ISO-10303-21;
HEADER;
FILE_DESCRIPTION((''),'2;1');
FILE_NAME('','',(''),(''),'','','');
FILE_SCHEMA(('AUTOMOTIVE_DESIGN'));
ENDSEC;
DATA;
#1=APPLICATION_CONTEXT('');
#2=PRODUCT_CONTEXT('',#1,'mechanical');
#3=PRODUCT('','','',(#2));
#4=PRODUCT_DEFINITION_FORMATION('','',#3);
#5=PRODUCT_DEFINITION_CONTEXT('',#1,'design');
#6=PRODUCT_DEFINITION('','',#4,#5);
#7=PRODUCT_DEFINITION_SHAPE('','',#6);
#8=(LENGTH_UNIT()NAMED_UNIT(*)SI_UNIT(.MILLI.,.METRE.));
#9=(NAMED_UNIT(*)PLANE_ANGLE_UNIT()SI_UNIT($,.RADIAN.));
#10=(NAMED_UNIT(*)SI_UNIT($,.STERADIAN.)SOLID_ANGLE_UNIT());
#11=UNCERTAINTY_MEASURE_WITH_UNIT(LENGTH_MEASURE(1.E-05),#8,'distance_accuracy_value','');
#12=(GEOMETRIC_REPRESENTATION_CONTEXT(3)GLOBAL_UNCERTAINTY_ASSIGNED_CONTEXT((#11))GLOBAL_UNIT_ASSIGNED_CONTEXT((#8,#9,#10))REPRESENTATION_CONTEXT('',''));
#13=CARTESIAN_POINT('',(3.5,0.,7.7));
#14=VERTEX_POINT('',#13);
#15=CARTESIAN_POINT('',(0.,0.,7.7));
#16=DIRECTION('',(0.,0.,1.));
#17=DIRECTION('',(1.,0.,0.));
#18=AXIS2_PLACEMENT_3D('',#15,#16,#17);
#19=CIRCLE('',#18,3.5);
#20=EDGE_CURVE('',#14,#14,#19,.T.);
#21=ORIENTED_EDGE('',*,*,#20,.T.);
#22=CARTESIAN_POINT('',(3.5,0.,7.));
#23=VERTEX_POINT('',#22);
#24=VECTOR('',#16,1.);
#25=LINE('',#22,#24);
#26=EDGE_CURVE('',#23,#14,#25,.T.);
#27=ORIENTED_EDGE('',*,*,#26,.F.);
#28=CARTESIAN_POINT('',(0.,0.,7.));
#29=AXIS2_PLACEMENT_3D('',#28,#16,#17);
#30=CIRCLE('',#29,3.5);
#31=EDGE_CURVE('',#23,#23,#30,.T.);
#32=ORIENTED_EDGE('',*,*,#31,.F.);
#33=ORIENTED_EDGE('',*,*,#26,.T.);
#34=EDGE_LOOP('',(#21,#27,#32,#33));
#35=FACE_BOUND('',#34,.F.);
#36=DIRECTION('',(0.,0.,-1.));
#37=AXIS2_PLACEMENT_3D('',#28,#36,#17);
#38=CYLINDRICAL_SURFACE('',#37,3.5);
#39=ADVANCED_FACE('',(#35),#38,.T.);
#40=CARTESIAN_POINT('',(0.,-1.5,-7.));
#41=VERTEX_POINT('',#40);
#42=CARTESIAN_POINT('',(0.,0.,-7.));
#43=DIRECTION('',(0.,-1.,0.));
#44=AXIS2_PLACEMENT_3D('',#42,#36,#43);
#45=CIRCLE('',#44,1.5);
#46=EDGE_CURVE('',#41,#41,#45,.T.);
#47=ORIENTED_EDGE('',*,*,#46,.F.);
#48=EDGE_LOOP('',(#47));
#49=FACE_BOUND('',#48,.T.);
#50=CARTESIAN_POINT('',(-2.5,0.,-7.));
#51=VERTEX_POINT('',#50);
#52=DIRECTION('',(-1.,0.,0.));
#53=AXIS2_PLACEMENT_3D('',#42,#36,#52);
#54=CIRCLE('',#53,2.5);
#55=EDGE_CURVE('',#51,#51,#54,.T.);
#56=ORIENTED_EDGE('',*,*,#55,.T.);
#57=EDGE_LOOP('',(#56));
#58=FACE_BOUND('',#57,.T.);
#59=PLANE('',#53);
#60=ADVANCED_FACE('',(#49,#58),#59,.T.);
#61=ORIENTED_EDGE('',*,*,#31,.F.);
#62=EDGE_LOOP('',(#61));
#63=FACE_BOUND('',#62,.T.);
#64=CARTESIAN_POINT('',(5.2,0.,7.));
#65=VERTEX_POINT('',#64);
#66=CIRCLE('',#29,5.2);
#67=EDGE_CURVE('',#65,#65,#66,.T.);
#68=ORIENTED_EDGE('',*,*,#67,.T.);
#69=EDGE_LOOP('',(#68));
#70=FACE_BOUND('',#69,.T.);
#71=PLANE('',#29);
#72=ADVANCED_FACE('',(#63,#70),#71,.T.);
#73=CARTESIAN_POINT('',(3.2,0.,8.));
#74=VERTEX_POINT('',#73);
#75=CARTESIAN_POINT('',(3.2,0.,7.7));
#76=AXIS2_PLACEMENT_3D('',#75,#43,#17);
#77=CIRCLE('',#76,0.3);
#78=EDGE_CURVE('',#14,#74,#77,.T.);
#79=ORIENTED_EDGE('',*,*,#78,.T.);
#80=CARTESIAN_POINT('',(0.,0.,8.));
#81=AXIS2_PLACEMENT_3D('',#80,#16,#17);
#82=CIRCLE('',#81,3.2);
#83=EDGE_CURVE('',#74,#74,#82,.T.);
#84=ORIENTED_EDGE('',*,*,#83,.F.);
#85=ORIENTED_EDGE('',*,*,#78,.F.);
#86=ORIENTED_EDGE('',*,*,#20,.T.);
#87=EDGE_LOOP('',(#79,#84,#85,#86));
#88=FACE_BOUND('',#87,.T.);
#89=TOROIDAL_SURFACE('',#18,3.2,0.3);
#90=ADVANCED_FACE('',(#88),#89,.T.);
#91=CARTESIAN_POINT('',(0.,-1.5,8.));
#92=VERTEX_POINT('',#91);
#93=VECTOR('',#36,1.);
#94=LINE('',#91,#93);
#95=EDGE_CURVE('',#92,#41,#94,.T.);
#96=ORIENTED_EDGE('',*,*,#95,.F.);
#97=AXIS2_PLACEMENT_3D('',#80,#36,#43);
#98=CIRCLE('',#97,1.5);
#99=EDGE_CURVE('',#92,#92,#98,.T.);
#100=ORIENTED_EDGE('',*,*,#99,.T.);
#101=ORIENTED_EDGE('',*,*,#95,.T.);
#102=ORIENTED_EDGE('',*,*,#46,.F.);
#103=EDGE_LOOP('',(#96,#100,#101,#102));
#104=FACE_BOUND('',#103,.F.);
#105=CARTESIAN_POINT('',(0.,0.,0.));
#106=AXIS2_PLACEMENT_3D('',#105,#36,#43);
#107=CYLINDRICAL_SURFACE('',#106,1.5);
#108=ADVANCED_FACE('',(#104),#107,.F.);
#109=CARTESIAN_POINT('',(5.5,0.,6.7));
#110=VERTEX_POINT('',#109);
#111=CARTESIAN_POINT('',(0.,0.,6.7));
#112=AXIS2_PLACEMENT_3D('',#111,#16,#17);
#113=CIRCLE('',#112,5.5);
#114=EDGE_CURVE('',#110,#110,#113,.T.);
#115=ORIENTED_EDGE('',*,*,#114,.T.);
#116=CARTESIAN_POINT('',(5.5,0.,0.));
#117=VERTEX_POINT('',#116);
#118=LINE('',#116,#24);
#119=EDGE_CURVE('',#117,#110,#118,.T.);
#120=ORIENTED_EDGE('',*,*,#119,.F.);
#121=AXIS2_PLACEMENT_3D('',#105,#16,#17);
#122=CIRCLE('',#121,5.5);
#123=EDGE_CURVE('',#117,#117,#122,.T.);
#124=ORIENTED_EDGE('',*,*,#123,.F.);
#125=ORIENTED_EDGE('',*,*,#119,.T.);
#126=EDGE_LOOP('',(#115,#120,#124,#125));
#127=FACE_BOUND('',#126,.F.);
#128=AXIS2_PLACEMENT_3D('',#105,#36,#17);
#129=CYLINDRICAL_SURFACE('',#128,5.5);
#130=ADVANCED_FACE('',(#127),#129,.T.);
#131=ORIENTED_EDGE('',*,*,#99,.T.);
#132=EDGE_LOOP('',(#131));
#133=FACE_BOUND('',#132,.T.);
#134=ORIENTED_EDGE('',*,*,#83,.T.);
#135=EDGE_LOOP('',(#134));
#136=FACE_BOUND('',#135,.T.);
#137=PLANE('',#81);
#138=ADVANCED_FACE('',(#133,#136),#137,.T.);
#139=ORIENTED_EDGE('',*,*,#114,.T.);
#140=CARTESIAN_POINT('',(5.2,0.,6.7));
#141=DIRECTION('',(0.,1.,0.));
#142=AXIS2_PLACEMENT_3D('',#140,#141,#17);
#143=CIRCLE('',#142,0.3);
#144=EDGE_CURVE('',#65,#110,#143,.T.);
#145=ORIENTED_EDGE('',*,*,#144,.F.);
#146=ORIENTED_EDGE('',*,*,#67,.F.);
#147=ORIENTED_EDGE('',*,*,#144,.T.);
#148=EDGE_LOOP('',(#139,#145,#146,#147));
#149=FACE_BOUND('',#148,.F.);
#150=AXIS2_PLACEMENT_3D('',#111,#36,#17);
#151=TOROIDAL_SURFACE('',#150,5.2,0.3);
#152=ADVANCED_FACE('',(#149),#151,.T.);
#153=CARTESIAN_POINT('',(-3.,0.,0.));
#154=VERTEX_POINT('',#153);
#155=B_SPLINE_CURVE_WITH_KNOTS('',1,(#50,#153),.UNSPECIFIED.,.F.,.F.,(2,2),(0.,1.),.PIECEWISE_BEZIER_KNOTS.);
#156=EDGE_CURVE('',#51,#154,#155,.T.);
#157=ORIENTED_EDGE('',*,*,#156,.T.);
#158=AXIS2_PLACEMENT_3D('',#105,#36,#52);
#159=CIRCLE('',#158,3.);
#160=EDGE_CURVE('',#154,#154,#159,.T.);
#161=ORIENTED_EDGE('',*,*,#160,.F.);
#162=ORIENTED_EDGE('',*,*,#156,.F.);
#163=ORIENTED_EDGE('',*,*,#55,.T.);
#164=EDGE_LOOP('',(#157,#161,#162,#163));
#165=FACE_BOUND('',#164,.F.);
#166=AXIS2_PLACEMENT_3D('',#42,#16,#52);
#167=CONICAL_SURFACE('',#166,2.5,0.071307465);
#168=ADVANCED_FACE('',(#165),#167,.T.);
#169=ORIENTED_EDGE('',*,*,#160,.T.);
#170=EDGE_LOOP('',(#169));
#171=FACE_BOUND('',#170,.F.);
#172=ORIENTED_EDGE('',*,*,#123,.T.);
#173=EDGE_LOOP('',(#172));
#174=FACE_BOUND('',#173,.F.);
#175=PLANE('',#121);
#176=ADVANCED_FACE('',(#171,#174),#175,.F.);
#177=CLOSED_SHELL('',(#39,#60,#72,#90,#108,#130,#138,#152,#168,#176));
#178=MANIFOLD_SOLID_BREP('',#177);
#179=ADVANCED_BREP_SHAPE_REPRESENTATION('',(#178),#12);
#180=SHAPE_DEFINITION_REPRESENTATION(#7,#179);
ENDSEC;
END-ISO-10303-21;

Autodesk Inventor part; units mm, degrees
ref_plane "YZ Plane" through (0, 0, 0) normal (1, 0, 0) x (0, 1, 0)
ref_plane "XZ Plane" through (0, 0, 0) normal (0, 1, 0) x (-1, 0, 0)
sketch "Sketch1" plane through (0, 0, 0) normal (0, 0, 1) x (1, 0, 0)
  circle A0 centre (0, 0) radius 5.5
  dimension "d0" = 11
extrude "Extrusion1" add sketch "Sketch1" along normal blind 7
sketch "Sketch2" plane through (0, 0, 7) normal (0, 0, 1) x (1, 0, 0)
  circle A0 centre (0, 0) radius 3.5
  dimension "d3" = 7
extrude "Extrusion2" add sketch "Sketch2" along normal blind 1
sketch "Sketch4" plane through (0, 0, 8) normal (0, 0, 1) x (1, 0, 0)
  circle A0 centre (0, 0) radius 1.5
  dimension "d7" = 3
hole "Hole1" at (0, 0, 8) direction (0, 0, -1) diameter 3 end through all
fillet "Fillet1" radius 0.3 1 edges at (-3.5, 0, 8)
fillet "Fillet2" radius 0.3 1 edges at (-5.5, 0, 7)
sketch "Sketch5" plane through (0, 0, 0) normal (0, 0, -1) x (-1, 0, 0)
  circle A0 centre (0, 0) radius 1.5
  circle A1 centre (0, 0) radius 3
  dimension "d17" = 6
ref_plane "Work Plane1" through (0, 0, -7) normal (0, 0, -1) x (-1, 0, 0)
sketch "Sketch6" plane through (0, 0, -7) normal (0, 0, -1) x (-1, 0, 0)
  circle A0 centre (0, 0) radius 2.5
  dimension "d19" = 5
loft "Loft1" add profiles "Sketch6", "Sketch5" contours all / A0 | A1
sketch "Sketch7" plane through (0, 0, 0) normal (0, 0, 1) x (1, 0, 0)
  point P0 (0, 0)
  point P1 (0, 0)
hole "Hole2" at (0, 0, 0) at (0, 0, 0) direction (0, 0, -1) diameter 3 end through all
thread "Thread1" size "R 1/8" standard "ISO Taper" length 9
properties part number "Banana Hembra"
